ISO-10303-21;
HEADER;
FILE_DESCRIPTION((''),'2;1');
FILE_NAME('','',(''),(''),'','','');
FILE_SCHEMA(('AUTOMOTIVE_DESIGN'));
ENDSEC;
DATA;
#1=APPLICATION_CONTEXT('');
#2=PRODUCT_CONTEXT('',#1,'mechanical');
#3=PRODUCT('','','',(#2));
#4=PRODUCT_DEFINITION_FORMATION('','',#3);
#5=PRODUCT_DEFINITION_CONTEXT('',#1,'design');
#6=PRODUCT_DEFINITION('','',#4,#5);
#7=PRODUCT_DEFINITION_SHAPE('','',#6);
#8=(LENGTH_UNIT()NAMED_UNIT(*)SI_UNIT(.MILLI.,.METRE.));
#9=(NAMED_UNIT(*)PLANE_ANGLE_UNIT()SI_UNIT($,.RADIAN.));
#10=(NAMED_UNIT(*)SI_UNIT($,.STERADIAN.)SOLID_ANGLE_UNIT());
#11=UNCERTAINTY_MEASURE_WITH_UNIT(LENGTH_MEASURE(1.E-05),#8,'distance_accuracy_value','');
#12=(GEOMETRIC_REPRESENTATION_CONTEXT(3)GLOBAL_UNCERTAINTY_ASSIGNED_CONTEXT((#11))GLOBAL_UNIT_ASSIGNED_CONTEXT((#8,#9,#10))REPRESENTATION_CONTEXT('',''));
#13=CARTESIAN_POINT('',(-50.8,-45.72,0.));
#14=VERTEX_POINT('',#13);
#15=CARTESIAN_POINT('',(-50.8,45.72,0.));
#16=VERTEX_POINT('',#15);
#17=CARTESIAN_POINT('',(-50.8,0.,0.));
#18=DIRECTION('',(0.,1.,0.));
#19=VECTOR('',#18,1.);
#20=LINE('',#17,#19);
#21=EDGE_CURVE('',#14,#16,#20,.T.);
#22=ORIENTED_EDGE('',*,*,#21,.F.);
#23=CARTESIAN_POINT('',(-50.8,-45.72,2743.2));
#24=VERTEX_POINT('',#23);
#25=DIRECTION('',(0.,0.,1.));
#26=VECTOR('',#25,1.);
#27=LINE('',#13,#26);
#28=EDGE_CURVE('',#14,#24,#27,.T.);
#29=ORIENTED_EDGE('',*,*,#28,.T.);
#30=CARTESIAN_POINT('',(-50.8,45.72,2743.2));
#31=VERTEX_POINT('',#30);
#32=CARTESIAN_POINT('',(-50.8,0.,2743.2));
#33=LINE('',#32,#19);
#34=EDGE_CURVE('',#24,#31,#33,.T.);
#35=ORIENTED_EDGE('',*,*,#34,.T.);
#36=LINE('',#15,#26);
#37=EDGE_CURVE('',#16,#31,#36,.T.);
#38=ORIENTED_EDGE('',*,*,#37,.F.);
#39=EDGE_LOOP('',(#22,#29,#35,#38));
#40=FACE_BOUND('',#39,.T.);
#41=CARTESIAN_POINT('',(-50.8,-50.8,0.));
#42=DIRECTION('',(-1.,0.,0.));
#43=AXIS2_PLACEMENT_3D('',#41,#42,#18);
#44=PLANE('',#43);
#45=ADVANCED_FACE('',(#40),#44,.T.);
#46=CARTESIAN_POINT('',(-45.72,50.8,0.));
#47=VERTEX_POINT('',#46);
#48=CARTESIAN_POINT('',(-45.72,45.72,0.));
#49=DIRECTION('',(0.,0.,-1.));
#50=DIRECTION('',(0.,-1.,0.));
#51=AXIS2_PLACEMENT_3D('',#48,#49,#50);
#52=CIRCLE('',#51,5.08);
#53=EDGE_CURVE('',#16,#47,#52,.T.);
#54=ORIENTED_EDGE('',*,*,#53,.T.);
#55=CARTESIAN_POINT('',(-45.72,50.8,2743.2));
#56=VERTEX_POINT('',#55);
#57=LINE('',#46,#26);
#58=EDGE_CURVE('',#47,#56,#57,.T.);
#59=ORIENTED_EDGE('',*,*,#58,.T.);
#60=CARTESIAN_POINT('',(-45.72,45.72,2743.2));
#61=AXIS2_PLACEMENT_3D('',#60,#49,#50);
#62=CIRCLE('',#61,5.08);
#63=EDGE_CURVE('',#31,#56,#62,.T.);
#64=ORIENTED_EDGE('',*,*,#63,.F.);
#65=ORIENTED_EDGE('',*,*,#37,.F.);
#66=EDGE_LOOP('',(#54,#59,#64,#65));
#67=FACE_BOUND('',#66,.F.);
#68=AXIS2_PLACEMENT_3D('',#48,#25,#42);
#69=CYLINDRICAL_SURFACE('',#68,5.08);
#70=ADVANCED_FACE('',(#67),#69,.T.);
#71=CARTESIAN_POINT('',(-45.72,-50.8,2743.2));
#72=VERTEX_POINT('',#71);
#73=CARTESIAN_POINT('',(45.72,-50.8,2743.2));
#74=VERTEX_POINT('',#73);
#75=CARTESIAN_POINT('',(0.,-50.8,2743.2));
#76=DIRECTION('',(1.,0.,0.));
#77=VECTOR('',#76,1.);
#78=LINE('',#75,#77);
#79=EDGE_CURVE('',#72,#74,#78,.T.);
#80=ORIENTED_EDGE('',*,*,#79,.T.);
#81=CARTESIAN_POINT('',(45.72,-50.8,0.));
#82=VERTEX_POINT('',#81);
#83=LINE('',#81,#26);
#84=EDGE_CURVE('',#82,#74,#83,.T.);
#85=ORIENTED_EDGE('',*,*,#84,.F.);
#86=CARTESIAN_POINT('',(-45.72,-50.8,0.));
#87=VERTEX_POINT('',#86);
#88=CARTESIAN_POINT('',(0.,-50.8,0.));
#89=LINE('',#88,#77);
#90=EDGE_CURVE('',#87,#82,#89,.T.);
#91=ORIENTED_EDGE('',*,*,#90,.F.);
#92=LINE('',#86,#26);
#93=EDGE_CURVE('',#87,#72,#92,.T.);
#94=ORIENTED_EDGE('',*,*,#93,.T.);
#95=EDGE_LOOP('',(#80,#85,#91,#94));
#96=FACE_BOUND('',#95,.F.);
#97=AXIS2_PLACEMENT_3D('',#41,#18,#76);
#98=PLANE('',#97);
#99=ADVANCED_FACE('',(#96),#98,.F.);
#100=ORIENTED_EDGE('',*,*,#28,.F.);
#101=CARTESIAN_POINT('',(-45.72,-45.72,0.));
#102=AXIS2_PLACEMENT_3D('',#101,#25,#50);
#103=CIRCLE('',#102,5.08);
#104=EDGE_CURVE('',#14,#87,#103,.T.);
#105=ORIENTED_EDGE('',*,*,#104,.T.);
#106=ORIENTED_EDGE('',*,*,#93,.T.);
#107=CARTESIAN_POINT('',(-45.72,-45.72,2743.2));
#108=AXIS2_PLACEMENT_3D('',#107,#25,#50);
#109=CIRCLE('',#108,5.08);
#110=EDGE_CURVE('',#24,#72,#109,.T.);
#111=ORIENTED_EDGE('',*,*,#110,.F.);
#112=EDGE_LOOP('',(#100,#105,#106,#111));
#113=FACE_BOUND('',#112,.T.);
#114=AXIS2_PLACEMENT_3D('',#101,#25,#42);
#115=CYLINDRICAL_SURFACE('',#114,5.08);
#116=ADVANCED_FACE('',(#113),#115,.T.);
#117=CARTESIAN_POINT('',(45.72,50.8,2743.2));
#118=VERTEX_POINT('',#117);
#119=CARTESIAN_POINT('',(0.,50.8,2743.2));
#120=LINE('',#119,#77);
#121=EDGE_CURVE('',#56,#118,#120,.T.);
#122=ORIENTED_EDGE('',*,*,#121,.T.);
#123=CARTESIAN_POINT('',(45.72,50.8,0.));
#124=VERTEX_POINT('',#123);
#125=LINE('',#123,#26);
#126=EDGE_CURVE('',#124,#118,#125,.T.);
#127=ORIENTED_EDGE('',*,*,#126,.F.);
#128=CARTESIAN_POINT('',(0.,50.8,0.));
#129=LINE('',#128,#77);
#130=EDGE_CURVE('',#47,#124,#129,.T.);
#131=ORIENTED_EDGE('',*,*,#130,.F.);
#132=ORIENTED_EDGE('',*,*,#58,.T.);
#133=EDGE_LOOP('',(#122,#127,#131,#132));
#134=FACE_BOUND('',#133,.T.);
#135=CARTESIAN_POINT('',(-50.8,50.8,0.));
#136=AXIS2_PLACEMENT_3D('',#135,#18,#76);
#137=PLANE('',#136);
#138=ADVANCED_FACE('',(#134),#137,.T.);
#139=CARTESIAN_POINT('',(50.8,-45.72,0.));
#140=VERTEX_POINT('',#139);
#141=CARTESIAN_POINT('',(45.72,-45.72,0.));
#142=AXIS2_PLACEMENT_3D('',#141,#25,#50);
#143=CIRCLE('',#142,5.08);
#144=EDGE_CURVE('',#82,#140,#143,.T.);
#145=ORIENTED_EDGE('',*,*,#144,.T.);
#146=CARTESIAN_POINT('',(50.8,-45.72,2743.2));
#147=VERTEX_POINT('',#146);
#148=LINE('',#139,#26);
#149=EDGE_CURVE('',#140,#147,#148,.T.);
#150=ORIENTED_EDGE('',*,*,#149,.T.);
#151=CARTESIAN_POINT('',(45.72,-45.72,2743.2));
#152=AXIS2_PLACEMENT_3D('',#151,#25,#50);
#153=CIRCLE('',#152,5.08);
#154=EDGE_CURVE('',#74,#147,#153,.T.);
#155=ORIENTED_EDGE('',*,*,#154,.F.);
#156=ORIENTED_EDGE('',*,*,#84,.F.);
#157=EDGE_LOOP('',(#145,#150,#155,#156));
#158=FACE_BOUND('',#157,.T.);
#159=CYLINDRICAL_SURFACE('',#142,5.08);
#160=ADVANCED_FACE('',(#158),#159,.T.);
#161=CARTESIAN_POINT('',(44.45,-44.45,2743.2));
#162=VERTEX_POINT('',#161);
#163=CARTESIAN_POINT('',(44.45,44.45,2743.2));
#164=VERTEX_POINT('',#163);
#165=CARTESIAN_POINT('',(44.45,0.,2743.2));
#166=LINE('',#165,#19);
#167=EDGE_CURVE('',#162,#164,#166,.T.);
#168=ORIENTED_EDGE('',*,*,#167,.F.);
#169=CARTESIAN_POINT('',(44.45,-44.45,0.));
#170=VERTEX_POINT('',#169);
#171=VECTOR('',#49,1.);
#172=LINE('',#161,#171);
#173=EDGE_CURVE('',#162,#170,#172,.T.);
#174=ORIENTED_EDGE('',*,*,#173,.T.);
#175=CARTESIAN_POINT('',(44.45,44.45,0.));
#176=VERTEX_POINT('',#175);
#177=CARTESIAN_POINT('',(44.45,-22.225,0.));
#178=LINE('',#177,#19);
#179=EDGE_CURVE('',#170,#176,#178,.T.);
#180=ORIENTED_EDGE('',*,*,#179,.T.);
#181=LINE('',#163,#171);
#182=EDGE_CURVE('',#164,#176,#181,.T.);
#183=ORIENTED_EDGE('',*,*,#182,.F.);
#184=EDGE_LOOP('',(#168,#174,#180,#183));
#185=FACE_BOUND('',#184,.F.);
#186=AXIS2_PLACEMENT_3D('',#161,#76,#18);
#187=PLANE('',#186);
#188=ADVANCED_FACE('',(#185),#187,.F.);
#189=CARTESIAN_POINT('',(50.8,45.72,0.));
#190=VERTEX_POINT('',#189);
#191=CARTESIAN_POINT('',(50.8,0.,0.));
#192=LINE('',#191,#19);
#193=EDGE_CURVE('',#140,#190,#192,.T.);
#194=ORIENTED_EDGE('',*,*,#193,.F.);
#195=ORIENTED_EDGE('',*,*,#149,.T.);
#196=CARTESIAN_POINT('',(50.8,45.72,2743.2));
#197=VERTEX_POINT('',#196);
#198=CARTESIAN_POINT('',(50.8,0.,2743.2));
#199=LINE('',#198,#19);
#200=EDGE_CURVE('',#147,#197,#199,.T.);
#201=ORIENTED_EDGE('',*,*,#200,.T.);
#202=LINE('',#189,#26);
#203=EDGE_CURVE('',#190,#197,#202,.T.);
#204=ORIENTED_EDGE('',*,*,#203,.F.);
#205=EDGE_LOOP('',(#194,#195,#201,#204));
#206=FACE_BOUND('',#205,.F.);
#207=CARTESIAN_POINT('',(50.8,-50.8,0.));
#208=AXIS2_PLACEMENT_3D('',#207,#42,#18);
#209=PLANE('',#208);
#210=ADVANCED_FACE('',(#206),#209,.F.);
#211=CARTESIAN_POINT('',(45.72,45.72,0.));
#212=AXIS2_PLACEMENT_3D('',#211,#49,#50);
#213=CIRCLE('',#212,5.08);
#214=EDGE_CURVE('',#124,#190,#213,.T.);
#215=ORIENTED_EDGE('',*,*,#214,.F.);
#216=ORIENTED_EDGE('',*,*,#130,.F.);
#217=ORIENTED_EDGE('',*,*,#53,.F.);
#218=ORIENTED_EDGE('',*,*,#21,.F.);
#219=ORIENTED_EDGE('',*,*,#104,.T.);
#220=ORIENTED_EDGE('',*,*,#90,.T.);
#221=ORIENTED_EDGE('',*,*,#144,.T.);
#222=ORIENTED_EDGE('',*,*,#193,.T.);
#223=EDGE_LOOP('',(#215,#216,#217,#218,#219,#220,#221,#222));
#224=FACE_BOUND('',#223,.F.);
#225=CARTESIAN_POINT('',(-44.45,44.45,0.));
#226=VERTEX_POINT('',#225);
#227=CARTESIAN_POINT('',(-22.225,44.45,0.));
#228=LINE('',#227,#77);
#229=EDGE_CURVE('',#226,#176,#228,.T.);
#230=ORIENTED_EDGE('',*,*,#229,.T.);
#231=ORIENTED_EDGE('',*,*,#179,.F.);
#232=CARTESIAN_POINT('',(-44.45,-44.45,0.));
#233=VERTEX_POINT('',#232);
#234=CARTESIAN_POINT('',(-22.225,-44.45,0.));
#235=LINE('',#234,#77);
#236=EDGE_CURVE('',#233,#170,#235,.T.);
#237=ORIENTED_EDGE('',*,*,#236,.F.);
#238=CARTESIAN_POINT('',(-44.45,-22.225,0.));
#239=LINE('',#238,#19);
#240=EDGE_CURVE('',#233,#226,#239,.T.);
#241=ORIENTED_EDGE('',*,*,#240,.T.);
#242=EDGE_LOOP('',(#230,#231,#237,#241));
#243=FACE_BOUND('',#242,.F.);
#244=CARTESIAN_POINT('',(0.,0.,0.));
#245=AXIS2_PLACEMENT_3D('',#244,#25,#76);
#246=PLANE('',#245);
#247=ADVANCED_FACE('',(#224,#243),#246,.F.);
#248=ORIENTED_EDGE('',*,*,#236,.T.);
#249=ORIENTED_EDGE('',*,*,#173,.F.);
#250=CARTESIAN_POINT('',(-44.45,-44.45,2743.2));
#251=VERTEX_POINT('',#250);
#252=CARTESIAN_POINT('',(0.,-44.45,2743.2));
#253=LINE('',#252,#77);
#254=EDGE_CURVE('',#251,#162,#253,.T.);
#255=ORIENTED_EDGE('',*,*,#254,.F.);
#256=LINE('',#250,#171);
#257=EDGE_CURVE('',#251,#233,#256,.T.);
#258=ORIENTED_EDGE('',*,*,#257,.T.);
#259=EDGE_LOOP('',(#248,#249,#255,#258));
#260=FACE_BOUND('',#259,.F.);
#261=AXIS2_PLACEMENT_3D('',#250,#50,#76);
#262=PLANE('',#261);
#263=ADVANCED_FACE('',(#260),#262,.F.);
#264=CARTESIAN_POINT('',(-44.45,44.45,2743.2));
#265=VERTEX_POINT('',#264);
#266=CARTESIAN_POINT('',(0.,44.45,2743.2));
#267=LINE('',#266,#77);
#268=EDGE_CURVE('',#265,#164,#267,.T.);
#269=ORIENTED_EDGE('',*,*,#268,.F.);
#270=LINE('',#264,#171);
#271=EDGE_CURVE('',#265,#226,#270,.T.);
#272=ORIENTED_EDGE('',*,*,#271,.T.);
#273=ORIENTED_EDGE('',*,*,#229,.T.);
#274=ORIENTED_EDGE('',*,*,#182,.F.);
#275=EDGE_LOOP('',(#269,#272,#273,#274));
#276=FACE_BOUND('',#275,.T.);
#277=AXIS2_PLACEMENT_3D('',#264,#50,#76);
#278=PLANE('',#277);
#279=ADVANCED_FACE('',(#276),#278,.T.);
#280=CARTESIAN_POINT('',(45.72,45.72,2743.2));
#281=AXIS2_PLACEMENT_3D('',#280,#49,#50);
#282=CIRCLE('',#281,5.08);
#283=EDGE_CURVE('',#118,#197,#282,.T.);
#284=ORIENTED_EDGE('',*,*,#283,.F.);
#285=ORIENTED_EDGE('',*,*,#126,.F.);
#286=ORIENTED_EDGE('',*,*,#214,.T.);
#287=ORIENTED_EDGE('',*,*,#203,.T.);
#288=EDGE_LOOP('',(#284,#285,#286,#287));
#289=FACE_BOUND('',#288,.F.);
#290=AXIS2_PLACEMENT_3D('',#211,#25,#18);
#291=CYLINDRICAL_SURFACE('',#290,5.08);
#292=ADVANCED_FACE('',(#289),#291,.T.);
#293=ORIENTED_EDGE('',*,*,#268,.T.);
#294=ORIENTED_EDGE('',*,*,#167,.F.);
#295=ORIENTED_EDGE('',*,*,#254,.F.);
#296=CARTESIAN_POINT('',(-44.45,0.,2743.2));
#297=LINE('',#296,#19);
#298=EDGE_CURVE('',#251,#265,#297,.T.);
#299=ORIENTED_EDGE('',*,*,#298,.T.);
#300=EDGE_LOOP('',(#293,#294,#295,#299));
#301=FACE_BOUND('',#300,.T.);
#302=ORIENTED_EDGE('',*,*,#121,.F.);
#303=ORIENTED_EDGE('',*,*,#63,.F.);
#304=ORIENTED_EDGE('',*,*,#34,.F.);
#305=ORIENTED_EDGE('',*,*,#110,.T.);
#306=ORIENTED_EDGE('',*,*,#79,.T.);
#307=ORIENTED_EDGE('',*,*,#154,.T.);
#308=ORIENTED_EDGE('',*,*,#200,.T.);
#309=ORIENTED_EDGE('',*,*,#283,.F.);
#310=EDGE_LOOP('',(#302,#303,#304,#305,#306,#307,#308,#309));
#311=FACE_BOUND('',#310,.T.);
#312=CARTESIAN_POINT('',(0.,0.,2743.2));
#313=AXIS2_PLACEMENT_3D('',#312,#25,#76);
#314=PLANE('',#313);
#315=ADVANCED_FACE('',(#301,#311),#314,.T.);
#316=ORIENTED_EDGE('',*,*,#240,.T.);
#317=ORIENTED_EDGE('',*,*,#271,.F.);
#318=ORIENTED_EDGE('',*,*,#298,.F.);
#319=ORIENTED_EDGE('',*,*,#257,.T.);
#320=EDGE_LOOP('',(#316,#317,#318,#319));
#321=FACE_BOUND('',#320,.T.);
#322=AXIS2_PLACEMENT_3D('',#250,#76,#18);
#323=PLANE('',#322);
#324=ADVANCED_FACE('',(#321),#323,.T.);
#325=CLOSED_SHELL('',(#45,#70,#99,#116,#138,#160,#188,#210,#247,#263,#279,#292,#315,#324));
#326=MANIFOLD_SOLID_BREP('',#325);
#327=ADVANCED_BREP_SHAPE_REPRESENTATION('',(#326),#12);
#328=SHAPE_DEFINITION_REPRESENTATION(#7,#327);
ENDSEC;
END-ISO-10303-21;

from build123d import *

# Parameters (mm, degrees)
F0_W     = 101.6
F0_H     = 101.6
F1_DEPTH = 2743.2
F2_W     = 88.9
F2_H     = 88.9
F3_DEPTH = 2743.201
F4_R     = 5.08


with BuildPart() as f1:
    # F0 (on Top) → F1 (new body)
    with BuildSketch(Plane.XY):
        Rectangle(F0_W, F0_H)
    extrude(amount=F1_DEPTH)

    # F2 (on face) → F3 (cut, through all)
    with BuildSketch(Plane.XY.offset(2743.2)):
        Rectangle(F2_W, F2_H)
    extrude(amount=-F3_DEPTH, mode=Mode.SUBTRACT)

    # F4
    f4_edges = [f1.edges().sort_by_distance(p)[0] for p in [
        (50.8, -50.8, 1371.6),
        (50.8, 50.8, 1371.6),
        (-50.8, -50.8, 1371.6),
        (-50.8, 50.8, 1371.6),
    ]]
    fillet(f4_edges, radius=F4_R)


solid = f1.part
